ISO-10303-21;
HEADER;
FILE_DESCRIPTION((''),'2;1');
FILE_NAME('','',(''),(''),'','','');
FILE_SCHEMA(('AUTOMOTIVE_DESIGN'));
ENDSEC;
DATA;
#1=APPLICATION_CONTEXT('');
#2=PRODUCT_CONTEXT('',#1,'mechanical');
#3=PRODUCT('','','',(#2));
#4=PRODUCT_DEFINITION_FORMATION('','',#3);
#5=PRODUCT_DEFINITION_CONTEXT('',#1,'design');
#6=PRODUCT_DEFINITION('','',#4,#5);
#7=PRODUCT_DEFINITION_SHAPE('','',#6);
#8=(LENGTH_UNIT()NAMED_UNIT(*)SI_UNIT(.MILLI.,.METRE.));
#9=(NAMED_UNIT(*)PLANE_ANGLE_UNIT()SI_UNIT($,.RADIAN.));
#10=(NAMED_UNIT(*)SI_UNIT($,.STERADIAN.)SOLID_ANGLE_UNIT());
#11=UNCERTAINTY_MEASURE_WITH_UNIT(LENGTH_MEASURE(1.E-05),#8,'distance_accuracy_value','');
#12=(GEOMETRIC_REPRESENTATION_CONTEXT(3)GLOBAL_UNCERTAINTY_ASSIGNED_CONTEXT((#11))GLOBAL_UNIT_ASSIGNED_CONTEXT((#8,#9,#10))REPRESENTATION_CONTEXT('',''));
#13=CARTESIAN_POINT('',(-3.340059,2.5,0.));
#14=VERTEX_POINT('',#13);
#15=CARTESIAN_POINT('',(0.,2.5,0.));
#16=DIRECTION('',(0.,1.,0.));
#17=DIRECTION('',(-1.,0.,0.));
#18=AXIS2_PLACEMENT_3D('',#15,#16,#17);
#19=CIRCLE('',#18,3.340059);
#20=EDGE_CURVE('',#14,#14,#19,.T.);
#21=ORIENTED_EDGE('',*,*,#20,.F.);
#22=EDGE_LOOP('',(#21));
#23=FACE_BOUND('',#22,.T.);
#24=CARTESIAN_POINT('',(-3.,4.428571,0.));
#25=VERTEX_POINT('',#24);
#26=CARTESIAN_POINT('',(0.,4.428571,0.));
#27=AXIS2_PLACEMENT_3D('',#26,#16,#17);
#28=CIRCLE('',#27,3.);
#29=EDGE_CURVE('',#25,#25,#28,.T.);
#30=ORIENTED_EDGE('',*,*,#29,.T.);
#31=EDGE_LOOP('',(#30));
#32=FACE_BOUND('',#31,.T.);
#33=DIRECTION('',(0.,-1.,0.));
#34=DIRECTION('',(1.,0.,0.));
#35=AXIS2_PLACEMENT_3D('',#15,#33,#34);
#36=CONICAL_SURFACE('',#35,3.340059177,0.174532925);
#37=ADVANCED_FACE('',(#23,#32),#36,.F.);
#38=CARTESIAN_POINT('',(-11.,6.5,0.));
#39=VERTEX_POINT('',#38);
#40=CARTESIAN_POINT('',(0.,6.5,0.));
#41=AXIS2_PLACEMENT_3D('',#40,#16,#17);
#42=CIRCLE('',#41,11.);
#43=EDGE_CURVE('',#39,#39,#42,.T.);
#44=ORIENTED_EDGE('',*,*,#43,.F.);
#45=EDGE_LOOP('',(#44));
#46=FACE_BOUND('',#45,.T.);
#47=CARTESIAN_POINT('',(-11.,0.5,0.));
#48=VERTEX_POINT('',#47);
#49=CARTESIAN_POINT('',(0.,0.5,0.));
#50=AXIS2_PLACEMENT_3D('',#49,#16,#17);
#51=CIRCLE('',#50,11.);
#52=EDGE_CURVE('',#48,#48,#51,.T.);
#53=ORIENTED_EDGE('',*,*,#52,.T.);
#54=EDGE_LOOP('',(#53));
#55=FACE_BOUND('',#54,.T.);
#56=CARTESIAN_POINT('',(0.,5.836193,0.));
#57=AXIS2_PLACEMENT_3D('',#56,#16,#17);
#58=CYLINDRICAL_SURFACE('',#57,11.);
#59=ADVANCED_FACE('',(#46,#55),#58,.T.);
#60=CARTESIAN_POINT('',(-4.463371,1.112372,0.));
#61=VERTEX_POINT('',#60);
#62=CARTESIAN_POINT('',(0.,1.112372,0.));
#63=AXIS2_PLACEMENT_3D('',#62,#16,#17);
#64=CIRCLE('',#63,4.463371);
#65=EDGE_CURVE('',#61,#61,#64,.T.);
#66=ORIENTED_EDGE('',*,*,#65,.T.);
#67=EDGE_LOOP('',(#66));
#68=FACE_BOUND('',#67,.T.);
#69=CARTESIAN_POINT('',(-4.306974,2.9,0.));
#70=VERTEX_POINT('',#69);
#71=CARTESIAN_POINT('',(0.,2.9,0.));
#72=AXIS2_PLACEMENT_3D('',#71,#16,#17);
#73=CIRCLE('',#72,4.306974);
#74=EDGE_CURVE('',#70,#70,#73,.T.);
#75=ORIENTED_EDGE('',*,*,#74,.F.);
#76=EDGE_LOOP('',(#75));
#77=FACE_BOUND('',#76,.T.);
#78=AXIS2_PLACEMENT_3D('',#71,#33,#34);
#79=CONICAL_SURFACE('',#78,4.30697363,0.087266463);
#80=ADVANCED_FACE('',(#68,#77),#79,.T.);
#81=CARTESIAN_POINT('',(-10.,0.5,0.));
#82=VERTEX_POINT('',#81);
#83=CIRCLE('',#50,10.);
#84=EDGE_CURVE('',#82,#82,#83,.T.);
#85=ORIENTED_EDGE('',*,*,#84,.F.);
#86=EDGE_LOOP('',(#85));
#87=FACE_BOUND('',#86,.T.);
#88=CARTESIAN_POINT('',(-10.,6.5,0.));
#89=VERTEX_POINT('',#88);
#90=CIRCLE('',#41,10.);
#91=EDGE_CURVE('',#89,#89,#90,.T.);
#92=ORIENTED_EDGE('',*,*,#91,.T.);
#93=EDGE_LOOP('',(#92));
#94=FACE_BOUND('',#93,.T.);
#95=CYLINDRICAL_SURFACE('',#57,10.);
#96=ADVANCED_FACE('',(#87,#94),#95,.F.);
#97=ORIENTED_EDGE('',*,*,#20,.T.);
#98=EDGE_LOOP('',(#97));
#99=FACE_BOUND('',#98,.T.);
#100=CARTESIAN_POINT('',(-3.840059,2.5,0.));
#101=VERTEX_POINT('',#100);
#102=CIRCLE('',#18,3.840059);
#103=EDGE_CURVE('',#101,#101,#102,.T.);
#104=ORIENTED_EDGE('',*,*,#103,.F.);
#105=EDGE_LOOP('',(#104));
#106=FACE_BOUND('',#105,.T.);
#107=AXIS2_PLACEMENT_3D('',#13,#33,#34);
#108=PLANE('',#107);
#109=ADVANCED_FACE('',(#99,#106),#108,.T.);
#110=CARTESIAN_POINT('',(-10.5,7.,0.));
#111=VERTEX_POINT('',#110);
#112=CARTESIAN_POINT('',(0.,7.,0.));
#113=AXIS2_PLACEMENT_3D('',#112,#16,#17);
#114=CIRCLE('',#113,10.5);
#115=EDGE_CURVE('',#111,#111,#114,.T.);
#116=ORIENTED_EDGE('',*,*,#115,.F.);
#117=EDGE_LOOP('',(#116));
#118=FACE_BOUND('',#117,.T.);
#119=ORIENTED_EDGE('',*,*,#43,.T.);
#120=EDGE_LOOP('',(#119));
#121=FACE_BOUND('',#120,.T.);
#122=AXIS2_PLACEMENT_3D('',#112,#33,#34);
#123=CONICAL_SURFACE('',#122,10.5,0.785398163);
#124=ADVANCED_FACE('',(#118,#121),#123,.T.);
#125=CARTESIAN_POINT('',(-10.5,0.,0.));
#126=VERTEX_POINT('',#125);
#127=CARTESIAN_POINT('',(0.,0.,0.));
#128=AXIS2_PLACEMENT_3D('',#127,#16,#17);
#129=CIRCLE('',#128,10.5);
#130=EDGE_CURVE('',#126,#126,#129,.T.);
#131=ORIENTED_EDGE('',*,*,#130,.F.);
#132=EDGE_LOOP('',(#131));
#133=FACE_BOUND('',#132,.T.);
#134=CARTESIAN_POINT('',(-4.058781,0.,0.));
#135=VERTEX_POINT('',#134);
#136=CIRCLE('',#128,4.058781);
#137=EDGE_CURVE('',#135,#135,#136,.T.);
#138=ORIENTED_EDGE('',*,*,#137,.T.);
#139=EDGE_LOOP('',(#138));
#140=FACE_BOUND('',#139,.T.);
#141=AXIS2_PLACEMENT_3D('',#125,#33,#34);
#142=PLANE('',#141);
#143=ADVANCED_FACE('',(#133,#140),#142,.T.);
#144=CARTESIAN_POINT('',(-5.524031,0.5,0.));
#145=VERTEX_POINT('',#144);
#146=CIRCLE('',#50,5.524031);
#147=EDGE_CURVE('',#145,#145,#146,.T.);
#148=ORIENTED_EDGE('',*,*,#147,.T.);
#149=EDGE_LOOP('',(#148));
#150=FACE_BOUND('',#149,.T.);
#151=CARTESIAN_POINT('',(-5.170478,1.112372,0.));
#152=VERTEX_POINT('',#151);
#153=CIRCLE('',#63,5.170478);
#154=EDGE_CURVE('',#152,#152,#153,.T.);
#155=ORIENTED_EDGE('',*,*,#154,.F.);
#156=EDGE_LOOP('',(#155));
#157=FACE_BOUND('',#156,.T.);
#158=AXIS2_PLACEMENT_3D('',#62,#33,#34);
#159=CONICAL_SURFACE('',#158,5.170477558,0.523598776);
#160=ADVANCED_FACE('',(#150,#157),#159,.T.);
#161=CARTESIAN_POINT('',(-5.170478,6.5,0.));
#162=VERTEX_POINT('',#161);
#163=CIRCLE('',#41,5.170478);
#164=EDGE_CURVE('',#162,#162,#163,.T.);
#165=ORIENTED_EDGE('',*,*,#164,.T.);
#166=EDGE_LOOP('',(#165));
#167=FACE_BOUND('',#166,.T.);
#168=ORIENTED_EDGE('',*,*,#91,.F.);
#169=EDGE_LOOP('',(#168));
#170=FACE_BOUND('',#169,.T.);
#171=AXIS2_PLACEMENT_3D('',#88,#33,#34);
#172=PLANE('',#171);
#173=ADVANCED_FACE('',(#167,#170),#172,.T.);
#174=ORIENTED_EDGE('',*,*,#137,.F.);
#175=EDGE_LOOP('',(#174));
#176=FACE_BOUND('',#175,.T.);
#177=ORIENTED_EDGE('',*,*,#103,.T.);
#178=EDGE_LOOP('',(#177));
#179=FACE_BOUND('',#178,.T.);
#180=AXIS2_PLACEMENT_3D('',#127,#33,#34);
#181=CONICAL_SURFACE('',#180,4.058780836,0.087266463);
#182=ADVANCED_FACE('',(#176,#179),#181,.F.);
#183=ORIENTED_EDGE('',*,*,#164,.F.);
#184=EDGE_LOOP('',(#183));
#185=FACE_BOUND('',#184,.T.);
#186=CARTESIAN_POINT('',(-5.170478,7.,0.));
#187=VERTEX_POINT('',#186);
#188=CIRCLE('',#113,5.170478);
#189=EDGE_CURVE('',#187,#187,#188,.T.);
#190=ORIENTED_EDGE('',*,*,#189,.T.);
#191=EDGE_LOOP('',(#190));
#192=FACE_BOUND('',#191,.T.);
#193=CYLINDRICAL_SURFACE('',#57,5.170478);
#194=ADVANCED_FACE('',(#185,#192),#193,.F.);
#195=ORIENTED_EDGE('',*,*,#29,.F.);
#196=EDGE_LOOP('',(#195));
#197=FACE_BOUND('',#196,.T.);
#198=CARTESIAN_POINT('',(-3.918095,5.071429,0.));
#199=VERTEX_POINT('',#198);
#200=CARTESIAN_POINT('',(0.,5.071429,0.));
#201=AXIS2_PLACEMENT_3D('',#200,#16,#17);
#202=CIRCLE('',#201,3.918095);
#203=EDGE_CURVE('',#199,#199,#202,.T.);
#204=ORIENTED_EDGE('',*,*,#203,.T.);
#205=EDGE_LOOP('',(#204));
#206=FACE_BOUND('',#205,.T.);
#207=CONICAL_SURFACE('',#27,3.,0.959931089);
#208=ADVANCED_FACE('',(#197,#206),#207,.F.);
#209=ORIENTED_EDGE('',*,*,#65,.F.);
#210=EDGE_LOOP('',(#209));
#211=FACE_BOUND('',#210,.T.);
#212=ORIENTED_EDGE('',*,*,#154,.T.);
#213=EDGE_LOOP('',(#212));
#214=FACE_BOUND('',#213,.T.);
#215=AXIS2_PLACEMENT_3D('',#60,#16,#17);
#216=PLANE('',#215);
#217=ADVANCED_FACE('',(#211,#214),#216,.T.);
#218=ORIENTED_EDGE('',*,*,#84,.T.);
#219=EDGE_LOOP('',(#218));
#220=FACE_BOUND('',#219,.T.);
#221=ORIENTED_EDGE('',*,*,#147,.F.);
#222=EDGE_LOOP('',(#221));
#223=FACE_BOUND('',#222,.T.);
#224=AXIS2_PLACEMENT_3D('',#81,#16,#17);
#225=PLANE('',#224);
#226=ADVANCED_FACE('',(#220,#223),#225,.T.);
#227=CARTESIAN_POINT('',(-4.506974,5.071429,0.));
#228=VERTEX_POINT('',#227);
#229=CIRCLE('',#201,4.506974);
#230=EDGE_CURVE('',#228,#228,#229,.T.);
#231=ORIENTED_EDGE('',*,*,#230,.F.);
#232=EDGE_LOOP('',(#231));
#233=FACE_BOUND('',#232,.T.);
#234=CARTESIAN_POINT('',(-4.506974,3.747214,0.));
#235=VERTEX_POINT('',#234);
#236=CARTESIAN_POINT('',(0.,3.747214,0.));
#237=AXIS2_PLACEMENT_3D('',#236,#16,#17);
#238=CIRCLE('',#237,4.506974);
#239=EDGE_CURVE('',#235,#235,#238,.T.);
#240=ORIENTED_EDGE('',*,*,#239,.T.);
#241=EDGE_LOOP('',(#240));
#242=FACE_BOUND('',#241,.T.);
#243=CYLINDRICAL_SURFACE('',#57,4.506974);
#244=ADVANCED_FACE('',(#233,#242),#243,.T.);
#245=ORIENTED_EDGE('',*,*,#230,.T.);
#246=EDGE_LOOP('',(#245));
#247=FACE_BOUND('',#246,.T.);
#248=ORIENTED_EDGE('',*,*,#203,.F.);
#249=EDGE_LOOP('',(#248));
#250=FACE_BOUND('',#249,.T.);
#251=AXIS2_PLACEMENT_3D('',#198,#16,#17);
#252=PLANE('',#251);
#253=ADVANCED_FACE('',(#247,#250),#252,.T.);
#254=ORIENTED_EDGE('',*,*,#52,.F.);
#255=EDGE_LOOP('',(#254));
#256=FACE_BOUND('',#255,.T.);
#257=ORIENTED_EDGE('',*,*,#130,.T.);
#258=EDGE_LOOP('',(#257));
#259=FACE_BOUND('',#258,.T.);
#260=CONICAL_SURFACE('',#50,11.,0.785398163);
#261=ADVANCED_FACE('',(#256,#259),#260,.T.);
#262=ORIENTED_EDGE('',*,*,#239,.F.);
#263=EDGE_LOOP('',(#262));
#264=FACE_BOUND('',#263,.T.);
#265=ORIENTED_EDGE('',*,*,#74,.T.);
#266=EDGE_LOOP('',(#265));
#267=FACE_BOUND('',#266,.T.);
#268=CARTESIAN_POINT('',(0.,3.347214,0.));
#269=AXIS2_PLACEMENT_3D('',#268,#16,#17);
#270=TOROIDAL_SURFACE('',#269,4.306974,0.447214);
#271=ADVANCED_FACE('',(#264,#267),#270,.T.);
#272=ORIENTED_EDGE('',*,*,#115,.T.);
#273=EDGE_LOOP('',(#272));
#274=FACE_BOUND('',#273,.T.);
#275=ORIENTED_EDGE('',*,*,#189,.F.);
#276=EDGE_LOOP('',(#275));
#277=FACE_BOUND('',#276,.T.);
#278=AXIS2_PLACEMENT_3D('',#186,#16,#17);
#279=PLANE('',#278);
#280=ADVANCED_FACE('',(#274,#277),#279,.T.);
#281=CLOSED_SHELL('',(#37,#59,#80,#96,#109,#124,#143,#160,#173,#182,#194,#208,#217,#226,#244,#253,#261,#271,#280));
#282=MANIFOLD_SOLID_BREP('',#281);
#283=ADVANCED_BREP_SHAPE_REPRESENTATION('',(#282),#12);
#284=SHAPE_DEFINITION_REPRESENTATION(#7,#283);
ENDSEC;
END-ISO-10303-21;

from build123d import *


with BuildPart() as part:
    # 草图1 → 旋转1 (revolve)
    with BuildSketch(Plane.XY):
        with BuildLine():
            Line((-10, 0.5), (-5.524030949, 0.5))
            Line((-5.524030949, 0.5), (-5.170477558, 1.112372436))
            Line((-5.170477558, 1.112372436), (-4.463370777, 1.112372436))
            Line((-4.463370777, 1.112372436), (-4.30697363, 2.9))
            ThreePointArc((-4.30697363, 2.9), (-4.74222381, 3.244464966), (-4.50697363, 3.747213595))
            Line((-4.50697363, 3.747213595), (-4.50697363, 5.071428571))
            Line((-4.50697363, 5.071428571), (-3.918095147, 5.071428571))
            Line((-3.918095147, 5.071428571), (-3, 4.428571429))
            Line((-3, 4.428571429), (-3.340059177, 2.5))
            Line((-3.340059177, 2.5), (-3.840059177, 2.5))
            Line((-3.840059177, 2.5), (-4.058780836, 0))
            Line((-4.058780836, 0), (-10.5, 0))
            Line((-10.5, 0), (-11, 0.5))
            Line((-11, 0.5), (-11, 6.5))
            Line((-11, 6.5), (-10.5, 7))
            Line((-10.5, 7), (-5.170477558, 7))
            Line((-5.170477558, 7), (-5.170477558, 6.5))
            Line((-5.170477558, 6.5), (-10, 6.5))
            Line((-10, 6.5), (-10, 0.5))
        make_face()
    revolve(axis=Axis((0, 5.836193369, 0), (0, -1, 0)))


solid = part.part
